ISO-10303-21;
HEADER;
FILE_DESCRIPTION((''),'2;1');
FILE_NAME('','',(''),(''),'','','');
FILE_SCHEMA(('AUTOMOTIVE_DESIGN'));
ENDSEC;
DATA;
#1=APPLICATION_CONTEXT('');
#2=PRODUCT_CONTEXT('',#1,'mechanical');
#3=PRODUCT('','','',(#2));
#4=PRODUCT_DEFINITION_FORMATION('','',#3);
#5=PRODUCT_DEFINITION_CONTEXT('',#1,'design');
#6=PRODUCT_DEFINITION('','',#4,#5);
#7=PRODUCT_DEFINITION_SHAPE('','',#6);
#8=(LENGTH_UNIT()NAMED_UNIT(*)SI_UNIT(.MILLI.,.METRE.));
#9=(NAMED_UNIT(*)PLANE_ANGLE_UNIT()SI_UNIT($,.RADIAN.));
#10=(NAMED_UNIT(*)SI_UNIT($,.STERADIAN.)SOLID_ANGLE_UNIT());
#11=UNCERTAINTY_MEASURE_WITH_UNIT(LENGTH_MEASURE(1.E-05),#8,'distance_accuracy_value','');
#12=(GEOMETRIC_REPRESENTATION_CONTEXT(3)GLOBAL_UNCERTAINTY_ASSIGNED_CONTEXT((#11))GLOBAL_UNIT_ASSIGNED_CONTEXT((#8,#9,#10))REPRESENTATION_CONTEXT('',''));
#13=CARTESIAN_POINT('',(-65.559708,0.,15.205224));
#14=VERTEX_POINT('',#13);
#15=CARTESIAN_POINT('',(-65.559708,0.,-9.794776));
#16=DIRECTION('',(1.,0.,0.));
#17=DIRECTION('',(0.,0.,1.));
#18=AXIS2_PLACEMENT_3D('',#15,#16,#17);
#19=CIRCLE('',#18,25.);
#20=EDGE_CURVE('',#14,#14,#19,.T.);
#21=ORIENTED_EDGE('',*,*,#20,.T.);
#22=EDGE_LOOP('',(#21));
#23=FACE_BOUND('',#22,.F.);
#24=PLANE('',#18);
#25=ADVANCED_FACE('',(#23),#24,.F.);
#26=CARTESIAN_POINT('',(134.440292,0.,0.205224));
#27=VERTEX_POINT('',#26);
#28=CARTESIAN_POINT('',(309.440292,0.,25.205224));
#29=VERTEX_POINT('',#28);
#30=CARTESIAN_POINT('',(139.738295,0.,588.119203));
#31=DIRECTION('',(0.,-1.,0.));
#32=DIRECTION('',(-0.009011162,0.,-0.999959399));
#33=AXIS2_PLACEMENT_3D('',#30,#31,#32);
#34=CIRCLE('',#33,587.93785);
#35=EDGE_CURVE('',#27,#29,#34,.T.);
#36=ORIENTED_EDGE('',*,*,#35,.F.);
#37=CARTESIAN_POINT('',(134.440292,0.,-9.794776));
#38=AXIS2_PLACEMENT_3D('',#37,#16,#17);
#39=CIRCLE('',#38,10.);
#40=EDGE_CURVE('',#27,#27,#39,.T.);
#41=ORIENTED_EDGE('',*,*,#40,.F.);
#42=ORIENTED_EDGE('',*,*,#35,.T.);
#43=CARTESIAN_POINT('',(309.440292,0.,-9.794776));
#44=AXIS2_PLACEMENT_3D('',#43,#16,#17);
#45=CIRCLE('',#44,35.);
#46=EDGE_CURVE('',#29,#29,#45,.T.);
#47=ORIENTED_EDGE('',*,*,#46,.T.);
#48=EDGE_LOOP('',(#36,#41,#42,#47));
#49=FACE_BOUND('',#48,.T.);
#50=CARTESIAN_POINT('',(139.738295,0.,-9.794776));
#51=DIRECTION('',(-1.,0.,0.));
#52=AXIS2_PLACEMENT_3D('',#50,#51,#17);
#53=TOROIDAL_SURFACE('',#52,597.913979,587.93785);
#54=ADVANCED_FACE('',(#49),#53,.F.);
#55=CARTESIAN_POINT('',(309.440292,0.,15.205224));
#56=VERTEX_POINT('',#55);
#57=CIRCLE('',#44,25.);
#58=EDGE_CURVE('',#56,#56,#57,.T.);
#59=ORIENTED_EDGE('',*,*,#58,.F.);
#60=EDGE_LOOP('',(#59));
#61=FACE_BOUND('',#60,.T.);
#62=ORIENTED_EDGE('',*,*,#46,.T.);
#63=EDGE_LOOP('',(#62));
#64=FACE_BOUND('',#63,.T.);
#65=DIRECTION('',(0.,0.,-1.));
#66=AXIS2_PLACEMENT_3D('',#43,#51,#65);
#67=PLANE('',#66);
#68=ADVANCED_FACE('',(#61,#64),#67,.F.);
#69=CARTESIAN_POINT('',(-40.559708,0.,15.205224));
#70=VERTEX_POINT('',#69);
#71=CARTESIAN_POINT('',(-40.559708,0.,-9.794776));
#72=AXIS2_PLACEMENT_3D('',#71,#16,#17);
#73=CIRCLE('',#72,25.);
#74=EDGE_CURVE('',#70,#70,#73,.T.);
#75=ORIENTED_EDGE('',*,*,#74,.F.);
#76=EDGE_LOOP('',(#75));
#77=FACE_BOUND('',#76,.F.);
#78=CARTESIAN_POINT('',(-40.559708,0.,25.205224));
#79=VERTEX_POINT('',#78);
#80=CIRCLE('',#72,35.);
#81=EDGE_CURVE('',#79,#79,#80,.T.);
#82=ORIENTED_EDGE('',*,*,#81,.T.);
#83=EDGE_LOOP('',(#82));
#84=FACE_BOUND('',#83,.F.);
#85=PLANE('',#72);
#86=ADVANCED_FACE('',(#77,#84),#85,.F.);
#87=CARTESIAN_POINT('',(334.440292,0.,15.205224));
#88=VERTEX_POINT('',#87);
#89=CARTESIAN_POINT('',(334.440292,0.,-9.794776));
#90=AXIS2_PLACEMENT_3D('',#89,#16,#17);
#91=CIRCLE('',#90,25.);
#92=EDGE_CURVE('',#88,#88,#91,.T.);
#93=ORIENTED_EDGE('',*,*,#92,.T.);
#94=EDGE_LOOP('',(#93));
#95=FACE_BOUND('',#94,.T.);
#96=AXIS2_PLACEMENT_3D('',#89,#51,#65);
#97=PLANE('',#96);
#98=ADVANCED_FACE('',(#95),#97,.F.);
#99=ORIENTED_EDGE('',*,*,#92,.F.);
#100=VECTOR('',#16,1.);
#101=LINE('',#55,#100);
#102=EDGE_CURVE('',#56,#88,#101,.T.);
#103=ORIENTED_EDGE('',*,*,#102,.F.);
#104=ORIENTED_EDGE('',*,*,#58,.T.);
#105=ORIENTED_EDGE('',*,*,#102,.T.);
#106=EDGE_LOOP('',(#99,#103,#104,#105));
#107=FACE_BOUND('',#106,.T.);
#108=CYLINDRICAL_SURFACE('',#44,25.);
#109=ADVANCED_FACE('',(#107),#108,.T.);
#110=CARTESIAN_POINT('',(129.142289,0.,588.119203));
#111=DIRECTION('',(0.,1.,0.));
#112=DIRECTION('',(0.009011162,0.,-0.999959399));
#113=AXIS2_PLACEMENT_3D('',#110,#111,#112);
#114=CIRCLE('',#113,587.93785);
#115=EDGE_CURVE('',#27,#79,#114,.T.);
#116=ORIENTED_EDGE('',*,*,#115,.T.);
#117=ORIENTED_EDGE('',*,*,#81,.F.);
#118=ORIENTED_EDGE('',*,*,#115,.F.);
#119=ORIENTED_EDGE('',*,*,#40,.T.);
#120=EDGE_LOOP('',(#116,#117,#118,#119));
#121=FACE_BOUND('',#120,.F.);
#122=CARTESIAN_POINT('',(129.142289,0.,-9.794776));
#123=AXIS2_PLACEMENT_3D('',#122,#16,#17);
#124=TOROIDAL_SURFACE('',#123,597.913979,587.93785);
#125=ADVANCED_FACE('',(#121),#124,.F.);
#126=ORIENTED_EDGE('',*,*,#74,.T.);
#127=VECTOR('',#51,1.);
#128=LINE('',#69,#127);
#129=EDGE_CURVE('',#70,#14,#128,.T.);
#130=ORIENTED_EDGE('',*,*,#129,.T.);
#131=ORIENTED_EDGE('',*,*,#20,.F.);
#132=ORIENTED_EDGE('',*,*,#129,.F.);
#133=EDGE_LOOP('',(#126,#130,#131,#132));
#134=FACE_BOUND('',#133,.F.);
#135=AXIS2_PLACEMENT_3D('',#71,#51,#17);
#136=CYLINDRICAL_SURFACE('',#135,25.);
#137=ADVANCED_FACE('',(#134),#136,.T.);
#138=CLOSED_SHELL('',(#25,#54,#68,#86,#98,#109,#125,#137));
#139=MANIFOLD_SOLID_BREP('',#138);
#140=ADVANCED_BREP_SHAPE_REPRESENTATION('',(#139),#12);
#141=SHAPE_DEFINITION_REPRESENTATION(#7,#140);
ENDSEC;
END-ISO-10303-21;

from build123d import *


with BuildPart() as f1:
    # F0 (on Front) → F1 (revolve)
    with BuildSketch(Plane.XZ):
        with BuildLine():
            Line((-40.559708, 15.205224), (-65.559708, 15.205224))
            Line((-65.559708, 15.205224), (-65.559708, -9.794776))
            Line((-65.559708, -9.794776), (134.440292, -9.794776))
            Line((134.440292, -9.794776), (134.440292, 0.205224))
            ThreePointArc((134.440292, 0.205224), (45.995321, 6.090426), (-40.559708, 25.205224))
            Line((-40.559708, 25.205224), (-40.559708, 15.205224))
        make_face()
    revolve(axis=Axis((34.440292, 0, -9.794776), (1, 0, 0)))

    # F2: F1 across face


with BuildPart() as f1_1:
    add(f1.part)
    add(f1.part.mirror(Plane(origin=(134.440292, 0, -9.794776), x_dir=(0, 1, 0), z_dir=(1, 0, 0))))


solid = f1_1.part
